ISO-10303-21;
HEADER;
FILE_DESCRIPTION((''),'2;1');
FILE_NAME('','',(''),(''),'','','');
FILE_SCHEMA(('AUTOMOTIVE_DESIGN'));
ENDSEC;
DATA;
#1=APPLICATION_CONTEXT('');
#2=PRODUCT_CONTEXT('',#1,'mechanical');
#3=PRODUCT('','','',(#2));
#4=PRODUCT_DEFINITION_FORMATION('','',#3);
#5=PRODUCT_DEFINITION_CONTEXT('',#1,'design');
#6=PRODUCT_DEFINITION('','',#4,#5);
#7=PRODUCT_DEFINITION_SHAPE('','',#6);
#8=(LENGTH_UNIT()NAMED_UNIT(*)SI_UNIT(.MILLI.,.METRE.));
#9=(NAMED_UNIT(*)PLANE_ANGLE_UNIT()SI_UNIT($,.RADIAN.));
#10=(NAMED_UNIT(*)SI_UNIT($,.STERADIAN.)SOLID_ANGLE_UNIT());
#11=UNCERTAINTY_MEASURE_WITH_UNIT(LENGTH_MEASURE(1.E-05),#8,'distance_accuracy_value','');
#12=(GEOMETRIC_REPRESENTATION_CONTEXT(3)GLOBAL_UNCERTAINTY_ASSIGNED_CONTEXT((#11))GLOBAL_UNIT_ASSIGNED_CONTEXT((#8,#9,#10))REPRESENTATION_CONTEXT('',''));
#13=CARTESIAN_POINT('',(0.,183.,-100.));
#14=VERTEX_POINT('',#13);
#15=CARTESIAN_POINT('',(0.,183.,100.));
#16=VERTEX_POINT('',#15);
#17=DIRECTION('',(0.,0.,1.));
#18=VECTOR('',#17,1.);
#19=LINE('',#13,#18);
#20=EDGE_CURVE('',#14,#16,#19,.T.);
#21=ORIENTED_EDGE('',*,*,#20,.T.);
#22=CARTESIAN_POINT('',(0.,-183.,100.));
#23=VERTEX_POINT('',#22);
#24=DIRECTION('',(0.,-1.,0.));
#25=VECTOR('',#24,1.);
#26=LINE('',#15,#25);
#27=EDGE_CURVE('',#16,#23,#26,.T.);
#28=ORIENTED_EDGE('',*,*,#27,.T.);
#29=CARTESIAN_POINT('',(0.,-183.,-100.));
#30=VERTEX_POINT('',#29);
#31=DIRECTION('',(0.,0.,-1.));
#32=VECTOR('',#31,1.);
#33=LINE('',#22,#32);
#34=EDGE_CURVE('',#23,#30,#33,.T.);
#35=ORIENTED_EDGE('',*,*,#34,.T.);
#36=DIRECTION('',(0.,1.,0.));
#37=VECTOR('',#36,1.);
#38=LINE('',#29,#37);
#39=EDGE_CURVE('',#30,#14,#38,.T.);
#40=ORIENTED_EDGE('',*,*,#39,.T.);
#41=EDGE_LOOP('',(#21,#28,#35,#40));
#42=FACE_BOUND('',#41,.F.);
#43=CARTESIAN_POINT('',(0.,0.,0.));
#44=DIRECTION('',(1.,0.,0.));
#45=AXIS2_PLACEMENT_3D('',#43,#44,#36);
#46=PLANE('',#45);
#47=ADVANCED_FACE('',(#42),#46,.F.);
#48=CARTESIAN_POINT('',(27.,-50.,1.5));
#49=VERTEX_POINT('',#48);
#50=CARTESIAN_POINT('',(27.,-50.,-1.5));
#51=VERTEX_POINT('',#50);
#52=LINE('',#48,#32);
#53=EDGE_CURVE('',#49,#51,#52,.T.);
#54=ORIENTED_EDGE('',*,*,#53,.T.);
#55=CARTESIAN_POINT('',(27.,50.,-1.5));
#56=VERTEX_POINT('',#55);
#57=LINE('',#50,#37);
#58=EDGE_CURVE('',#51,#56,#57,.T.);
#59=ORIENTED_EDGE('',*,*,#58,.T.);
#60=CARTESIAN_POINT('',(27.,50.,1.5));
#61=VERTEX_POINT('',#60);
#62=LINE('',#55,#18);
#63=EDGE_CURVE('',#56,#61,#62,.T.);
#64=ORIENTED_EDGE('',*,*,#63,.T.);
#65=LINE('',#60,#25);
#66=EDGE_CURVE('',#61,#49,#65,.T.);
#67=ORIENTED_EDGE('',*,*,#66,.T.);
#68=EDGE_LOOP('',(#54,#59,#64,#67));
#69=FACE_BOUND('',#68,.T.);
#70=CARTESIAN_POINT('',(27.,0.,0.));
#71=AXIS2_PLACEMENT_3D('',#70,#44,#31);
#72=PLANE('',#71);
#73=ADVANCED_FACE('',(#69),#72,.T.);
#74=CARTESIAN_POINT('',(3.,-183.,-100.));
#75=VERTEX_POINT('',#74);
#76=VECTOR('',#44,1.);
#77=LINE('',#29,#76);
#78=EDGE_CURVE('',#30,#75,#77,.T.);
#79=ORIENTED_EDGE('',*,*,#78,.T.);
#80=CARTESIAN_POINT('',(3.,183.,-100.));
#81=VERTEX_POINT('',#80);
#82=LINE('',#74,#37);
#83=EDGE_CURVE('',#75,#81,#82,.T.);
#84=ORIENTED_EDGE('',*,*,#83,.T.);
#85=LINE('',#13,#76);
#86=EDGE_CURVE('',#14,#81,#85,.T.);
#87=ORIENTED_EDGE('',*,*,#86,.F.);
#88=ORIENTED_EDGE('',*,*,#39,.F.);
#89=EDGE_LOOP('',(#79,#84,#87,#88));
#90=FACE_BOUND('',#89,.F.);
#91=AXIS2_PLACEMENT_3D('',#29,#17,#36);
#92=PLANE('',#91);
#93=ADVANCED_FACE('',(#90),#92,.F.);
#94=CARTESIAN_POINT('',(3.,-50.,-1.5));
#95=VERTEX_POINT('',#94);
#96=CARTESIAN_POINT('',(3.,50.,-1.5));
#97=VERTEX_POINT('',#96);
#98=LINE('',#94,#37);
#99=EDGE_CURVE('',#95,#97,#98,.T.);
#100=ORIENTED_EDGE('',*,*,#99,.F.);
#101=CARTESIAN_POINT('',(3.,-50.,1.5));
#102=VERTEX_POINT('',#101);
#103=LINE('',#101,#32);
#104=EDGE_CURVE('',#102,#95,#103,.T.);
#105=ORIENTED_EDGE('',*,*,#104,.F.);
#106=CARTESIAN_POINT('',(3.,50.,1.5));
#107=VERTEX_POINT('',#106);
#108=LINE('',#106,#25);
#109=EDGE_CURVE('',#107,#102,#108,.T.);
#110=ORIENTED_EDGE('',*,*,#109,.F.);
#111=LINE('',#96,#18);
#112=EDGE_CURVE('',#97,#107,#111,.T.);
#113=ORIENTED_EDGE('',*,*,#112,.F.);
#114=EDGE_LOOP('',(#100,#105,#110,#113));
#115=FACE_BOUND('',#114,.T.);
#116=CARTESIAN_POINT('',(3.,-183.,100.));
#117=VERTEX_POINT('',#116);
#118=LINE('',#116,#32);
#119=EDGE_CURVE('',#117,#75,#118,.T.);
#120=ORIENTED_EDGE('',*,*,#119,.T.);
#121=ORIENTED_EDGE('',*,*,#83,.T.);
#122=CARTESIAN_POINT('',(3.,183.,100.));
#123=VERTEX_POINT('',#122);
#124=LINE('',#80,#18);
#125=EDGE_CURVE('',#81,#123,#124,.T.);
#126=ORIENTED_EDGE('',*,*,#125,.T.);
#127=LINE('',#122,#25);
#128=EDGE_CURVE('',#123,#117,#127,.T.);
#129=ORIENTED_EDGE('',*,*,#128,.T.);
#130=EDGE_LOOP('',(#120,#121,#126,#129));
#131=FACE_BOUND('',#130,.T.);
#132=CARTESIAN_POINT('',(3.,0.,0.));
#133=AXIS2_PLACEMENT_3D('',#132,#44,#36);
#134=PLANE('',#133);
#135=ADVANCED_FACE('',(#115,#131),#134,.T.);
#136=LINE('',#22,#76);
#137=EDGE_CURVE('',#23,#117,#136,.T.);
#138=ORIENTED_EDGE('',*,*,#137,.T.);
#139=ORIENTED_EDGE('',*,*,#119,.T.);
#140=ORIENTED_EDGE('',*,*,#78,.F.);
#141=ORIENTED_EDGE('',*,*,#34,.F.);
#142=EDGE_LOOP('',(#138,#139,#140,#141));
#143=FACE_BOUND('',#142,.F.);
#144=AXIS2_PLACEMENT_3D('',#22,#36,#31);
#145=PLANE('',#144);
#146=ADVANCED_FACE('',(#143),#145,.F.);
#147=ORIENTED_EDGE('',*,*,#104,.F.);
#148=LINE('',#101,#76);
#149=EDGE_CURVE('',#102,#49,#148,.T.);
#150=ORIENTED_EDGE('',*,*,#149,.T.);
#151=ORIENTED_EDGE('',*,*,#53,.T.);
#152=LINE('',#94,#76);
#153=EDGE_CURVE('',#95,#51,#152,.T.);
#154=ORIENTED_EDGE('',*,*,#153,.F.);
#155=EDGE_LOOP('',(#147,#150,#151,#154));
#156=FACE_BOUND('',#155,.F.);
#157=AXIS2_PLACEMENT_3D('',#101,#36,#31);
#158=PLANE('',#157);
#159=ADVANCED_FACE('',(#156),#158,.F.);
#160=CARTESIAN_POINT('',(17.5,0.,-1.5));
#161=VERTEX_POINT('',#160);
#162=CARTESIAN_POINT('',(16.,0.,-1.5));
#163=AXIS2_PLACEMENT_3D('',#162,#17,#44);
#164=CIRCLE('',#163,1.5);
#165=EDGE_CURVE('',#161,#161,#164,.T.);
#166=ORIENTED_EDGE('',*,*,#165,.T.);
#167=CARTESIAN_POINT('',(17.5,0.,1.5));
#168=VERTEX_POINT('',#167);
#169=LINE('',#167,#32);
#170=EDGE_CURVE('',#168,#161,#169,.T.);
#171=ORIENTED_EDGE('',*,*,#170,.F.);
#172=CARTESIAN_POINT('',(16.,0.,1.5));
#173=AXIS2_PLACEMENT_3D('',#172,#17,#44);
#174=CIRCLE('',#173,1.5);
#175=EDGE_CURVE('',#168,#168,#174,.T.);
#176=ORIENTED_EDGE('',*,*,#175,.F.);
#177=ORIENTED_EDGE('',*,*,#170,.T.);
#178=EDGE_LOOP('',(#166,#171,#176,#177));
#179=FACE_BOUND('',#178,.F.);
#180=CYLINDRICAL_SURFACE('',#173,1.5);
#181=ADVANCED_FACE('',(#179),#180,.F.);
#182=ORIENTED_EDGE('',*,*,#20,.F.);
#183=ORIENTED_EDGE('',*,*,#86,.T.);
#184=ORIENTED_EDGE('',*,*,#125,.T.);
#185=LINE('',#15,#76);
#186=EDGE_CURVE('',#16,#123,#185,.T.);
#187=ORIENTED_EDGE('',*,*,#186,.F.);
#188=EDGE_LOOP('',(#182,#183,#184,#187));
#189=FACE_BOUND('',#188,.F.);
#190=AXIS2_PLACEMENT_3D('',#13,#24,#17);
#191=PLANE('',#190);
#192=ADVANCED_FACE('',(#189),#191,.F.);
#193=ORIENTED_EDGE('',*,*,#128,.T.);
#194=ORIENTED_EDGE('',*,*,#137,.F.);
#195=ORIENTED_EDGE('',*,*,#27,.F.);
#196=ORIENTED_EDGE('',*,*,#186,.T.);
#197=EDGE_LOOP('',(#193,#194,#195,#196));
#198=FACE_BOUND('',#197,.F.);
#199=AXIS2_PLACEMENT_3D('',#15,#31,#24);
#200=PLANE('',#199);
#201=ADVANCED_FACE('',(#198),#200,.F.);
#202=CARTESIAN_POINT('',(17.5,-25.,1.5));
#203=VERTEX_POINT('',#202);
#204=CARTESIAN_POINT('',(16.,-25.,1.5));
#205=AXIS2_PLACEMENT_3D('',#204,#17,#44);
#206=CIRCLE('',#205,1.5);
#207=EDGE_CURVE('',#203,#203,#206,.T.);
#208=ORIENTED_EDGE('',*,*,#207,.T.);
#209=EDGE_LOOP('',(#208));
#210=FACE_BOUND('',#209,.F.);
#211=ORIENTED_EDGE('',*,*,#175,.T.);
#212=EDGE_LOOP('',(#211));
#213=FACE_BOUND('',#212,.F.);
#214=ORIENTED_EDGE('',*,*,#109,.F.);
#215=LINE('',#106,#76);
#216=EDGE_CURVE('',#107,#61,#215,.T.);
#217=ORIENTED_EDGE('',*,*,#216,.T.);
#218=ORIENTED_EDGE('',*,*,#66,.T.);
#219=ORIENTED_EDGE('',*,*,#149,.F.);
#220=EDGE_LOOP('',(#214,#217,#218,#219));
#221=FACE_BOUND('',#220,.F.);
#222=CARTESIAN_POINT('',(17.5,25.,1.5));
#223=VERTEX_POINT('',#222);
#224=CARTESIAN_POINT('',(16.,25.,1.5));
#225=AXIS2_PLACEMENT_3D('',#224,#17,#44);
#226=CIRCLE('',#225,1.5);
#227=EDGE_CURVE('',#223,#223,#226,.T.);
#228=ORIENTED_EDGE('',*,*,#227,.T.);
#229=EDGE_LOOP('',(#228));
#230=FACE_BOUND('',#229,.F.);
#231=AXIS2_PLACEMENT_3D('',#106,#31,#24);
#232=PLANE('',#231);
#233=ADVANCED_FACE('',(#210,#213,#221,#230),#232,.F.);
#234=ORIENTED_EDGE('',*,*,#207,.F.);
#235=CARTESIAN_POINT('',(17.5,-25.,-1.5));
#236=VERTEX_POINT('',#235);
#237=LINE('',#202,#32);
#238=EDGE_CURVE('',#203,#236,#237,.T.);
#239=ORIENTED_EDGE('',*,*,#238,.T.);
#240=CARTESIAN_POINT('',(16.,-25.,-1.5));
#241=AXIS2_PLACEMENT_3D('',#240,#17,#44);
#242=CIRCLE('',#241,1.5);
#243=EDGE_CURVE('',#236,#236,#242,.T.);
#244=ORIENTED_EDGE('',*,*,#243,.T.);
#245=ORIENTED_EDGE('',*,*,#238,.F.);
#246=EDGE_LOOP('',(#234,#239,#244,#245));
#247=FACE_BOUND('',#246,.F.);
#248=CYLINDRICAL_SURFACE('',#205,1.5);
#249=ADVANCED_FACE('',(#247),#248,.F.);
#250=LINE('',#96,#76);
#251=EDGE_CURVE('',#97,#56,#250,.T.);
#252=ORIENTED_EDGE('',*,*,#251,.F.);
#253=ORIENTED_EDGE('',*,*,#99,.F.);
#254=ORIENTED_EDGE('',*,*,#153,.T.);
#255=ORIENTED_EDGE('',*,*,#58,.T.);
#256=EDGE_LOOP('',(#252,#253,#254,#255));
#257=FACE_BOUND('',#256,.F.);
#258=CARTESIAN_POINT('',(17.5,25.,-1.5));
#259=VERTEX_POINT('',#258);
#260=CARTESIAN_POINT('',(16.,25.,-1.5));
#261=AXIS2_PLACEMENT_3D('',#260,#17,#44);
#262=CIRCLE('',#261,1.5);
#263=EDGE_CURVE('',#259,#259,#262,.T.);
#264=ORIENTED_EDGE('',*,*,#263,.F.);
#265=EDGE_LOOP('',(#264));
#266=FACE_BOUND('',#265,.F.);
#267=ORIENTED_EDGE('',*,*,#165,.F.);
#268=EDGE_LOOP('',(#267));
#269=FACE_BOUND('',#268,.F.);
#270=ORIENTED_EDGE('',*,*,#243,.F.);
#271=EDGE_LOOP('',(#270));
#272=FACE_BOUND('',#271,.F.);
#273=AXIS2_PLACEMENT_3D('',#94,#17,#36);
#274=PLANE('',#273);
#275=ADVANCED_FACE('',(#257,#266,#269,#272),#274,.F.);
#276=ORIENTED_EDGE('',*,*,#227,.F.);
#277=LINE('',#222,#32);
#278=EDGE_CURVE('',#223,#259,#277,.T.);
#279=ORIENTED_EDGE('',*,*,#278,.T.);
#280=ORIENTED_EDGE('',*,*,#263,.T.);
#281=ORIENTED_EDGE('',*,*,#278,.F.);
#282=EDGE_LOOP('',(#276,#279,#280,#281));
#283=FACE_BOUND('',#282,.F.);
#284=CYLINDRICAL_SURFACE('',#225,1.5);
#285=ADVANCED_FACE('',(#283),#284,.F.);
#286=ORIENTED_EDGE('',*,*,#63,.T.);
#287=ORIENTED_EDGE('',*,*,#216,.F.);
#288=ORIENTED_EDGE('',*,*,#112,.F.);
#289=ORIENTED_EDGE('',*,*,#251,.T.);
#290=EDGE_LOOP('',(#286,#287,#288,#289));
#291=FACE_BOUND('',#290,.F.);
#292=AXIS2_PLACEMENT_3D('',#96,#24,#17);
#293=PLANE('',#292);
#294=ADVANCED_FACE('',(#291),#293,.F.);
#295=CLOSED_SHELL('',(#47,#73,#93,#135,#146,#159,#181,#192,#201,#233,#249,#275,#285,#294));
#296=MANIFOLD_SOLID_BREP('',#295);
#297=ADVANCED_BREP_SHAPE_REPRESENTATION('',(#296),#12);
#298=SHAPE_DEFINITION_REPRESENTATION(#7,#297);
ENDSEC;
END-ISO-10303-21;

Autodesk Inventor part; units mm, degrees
ref_plane "YZ Plane" through (0, 0, 0) normal (1, 0, 0) x (0, 1, 0)
ref_plane "XZ Plane" through (0, 0, 0) normal (0, 1, 0) x (-1, 0, 0)
ref_plane "XY Plane" through (0, 0, 0) normal (0, 0, 1) x (1, 0, 0)
sketch "Sketch1" plane through (0, 0, 0) normal (1, 0, 0) x (0, 1, 0)
  line L0 (183, 100) -> (-183, 100)
  line L1 (-183, 100) -> (-183, -100)
  line L2 (-183, -100) -> (183, -100)
  line L3 (183, -100) -> (183, 100)
  line L4 (183, 100) -> (-183, -100) construction
  line L5 (-183, 100) -> (183, -100) construction
  point P0 (0, 0)
  dimension "d0" = 366
  dimension "d1" = 200
extrude "Extrusion1" add sketch "Sketch1" along normal blind 3
sketch "Sketch7" plane through (3, 0, 0) normal (1, 0, 0) x (0, 0, -1)
  line L0 (1.5, 50) -> (-1.5, 50)
  line L1 (-1.5, 50) -> (-1.5, -50)
  line L2 (-1.5, -50) -> (1.5, -50)
  line L3 (1.5, -50) -> (1.5, 50)
  line L4 (1.5, 50) -> (-1.5, -50) construction
  line L5 (-1.5, 50) -> (1.5, -50) construction
  point P0 (0, 0)
  dimension "d69" = 3
  dimension "d70" = 100
extrude "Extrusion10" add sketch "Sketch7" along normal blind 24
sketch "Sketch8" plane through (3, -50, 1.5) normal (0, 0, 1) x (1, 0, 0)
  circle A0 centre (13, 75) radius 1.5
  circle A1 centre (13, 50) radius 1.5
  circle A2 centre (13, 25) radius 1.5
  line L0 (0, 100) -> (24, 100) projected
  line L1 (0, 0) -> (24, 0) projected
  line L2 (24, 100) -> (24, 0) projected
  line L3 (0, 233) -> (0, -133) projected
  point P0 (-3, 50)
  dimension "d73" = 3
  dimension "d74" = 3
  dimension "d75" = 3
  dimension "d76" = 25
  dimension "d77" = 25
  dimension "d78" = 25
  dimension "d87" = 25
  dimension "d88" = 11
  dimension "d89" = 11
  dimension "d90" = 11
extrude "Extrusion11" cut sketch "Sketch8" against normal blind 25 contours A0 | A1 | A2
properties part number "down_cover"
